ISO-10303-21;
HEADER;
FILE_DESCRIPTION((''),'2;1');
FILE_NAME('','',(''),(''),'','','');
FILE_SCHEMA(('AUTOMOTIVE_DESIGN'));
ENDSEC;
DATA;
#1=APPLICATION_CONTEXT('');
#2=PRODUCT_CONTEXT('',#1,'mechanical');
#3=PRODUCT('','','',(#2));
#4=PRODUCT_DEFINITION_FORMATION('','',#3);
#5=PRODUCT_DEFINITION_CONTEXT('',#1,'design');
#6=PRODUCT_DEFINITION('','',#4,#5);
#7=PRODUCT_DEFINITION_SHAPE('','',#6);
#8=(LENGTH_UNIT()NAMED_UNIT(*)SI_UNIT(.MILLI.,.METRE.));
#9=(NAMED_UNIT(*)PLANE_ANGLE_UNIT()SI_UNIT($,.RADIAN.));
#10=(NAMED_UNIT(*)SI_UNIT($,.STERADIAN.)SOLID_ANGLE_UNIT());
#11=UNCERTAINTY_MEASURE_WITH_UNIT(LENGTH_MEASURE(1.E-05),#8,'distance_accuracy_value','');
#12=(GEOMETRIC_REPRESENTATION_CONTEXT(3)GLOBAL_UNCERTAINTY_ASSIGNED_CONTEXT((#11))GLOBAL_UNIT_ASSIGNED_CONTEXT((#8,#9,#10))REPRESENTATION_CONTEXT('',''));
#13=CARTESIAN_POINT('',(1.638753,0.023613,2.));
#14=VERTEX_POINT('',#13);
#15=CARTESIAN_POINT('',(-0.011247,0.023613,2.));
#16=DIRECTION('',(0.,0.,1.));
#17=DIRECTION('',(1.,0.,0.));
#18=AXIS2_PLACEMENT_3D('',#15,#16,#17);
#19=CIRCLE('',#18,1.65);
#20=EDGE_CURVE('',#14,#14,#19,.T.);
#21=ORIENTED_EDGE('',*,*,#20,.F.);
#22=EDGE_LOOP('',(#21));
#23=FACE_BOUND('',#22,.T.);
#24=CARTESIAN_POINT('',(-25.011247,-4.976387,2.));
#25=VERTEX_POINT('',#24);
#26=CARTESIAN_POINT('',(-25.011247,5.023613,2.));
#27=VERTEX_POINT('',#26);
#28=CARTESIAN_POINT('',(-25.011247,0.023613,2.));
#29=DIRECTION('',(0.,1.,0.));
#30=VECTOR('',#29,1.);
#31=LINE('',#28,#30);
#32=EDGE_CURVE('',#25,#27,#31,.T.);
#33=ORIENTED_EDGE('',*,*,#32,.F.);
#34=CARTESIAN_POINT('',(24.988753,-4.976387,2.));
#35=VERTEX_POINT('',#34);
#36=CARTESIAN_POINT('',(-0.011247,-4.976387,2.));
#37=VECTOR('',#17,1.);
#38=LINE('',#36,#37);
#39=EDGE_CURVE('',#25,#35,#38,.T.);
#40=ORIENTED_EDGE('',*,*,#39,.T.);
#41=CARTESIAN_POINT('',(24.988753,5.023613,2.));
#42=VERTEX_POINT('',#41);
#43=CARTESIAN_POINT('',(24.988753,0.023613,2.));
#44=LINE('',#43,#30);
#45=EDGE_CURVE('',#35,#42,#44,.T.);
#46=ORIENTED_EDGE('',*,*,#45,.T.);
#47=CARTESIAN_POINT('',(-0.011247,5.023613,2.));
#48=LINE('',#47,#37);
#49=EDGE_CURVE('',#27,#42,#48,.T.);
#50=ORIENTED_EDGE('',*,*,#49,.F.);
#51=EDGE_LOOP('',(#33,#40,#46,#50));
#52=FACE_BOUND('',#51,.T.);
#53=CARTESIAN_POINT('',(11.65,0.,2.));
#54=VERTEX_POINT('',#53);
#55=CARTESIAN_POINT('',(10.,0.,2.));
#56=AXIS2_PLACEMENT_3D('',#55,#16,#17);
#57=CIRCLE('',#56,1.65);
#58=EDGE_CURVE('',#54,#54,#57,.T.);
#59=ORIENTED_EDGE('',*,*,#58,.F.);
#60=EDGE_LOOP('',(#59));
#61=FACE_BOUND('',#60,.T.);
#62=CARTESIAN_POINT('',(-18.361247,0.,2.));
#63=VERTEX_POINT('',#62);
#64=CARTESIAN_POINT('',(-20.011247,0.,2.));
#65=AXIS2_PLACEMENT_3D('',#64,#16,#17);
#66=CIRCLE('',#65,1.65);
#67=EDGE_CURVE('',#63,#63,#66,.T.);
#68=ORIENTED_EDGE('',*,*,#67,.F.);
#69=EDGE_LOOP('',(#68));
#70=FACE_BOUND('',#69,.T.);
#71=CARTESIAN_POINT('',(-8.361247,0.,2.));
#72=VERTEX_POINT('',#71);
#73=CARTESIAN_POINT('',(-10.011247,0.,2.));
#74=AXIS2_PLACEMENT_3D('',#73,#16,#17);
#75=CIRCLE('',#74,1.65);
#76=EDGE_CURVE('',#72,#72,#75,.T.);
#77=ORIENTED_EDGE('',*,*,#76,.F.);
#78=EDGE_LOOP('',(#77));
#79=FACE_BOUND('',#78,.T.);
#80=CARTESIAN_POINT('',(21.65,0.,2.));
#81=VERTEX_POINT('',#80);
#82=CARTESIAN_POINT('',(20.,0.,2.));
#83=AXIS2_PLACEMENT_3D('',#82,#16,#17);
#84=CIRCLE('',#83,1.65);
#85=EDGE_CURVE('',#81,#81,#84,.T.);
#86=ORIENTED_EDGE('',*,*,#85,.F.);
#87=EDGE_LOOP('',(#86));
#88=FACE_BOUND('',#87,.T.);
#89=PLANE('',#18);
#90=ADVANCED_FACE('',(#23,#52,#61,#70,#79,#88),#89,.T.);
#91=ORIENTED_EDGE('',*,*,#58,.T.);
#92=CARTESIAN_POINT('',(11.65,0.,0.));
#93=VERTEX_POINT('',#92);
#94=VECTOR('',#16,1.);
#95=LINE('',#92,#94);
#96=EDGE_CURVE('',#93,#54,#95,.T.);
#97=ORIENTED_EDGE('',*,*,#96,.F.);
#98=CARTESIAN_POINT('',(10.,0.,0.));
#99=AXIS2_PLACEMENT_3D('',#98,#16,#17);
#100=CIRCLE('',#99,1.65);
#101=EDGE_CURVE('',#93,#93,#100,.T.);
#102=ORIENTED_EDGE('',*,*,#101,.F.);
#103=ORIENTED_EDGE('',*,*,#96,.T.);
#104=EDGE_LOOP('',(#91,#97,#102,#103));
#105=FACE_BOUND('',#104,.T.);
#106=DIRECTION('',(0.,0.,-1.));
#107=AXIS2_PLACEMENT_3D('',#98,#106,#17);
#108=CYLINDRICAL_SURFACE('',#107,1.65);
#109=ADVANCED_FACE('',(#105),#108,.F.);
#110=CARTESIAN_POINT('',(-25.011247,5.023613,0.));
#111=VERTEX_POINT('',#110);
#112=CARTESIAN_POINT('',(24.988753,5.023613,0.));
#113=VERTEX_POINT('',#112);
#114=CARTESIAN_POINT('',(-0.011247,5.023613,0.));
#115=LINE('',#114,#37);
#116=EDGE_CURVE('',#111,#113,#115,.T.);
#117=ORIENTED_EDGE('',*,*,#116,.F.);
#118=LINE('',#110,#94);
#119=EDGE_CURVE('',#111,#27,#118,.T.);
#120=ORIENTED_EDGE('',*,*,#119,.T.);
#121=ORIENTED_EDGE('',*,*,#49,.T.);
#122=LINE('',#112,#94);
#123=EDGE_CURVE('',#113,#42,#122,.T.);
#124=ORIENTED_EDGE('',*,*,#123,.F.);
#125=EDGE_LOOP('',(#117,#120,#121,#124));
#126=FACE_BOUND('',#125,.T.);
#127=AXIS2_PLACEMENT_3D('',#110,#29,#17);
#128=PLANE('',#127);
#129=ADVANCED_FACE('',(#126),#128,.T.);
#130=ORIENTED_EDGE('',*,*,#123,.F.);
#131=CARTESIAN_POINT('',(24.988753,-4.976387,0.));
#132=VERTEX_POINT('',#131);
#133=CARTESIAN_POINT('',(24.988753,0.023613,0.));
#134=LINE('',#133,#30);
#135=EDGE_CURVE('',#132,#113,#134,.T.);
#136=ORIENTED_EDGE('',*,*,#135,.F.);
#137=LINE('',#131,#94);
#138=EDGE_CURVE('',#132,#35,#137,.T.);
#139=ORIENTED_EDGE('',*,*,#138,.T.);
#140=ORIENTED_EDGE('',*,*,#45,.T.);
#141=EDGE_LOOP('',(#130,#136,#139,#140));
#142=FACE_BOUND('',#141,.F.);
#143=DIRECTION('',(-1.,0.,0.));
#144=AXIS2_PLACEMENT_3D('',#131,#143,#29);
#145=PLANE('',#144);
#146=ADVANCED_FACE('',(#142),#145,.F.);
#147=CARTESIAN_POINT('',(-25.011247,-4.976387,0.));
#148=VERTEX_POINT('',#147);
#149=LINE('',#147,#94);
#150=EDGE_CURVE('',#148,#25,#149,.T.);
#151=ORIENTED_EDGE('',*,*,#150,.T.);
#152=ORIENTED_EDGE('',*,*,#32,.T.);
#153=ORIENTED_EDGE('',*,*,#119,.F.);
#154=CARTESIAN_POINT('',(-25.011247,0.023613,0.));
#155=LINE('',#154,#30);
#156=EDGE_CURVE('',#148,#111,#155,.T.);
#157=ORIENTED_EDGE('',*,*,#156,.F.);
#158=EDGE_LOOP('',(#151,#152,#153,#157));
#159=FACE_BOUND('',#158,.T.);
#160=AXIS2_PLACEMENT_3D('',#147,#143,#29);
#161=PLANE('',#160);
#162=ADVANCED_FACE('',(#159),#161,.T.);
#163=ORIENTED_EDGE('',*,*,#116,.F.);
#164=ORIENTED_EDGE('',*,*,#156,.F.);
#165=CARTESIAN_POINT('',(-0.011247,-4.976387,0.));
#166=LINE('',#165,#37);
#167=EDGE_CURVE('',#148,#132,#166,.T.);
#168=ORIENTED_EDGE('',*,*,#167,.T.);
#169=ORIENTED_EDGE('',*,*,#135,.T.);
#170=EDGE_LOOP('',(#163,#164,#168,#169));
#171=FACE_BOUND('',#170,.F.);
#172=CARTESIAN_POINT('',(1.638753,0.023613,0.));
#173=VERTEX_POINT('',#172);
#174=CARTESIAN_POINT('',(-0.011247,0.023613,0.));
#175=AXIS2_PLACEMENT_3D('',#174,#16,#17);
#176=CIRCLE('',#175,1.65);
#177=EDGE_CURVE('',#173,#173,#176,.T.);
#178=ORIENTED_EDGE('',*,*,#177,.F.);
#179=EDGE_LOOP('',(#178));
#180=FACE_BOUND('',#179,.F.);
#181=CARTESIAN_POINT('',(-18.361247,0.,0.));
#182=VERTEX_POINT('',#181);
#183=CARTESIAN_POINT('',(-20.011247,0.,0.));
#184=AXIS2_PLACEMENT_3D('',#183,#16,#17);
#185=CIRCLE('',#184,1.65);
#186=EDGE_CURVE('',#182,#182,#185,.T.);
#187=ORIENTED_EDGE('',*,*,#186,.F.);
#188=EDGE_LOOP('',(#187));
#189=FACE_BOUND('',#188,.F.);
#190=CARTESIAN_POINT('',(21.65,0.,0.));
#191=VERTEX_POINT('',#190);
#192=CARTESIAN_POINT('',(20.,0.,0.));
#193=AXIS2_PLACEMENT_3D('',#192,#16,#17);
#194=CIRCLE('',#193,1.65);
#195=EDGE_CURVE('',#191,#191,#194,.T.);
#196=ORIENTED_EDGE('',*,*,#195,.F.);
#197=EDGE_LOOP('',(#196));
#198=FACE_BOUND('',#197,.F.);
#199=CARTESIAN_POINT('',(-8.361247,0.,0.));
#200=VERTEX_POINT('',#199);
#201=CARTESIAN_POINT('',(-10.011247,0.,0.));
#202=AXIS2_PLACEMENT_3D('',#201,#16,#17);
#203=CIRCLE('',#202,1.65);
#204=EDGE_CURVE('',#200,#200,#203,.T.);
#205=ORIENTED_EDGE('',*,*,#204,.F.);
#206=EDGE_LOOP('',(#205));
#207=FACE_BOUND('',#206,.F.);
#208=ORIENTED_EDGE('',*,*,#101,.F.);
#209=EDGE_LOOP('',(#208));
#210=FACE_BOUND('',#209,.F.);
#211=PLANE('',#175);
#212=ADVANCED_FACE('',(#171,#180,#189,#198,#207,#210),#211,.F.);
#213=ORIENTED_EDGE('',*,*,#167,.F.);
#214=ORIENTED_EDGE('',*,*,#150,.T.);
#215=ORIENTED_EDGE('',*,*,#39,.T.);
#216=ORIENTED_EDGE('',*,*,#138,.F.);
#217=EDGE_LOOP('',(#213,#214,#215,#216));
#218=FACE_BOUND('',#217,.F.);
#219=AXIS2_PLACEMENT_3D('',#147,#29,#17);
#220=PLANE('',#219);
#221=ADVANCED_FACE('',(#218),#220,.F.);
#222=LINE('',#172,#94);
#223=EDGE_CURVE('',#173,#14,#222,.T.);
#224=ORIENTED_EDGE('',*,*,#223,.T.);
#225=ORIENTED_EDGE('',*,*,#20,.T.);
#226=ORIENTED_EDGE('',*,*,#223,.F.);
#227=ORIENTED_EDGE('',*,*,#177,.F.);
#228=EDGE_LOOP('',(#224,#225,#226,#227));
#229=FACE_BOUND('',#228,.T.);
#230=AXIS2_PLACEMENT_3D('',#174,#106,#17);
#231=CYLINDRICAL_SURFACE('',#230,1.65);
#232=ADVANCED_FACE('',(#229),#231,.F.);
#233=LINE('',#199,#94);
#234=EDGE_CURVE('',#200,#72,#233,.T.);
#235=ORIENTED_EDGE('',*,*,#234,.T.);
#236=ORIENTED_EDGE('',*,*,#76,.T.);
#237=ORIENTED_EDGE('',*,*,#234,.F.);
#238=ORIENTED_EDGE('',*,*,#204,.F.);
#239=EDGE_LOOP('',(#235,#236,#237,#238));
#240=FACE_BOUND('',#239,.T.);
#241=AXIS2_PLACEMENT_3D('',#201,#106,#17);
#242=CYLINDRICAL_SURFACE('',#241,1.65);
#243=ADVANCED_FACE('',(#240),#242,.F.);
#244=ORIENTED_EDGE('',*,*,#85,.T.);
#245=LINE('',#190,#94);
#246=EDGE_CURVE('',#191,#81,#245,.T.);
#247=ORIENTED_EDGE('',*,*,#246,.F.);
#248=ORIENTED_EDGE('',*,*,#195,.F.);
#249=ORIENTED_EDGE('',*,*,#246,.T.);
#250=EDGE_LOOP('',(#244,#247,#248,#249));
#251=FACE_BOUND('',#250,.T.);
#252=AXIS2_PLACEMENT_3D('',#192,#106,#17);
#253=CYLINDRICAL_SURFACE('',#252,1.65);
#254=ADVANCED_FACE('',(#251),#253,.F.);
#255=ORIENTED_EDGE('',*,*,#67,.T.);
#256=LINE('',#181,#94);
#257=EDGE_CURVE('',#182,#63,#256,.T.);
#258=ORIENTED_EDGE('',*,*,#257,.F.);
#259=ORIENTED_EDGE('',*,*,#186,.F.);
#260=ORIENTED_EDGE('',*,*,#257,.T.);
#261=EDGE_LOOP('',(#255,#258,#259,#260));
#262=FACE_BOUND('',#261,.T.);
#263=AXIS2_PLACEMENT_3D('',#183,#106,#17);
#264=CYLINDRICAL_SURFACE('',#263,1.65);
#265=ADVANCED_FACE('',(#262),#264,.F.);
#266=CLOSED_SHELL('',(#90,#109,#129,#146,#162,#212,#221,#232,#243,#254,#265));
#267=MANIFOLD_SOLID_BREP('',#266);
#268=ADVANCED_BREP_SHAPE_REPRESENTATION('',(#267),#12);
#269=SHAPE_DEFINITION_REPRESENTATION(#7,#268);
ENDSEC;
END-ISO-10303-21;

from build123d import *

# Parameters (mm, degrees)
SKETCH_W      = 50
SKETCH_H      = 10
SKETCH_R      = 1.65
EXTRUDE_DEPTH = 2


with BuildPart() as part:
    # Sketch → Extrude (new body)
    with BuildSketch(Plane.XY):
        with Locations((-0.011247, 0.023613)):
            Rectangle(SKETCH_W, SKETCH_H)
        with Locations((-0.011247, 0.023613)):
            Circle(SKETCH_R, mode=Mode.SUBTRACT)
        with Locations((-10.011247, 0)):
            Circle(SKETCH_R, mode=Mode.SUBTRACT)
        with Locations((-20.011247, 0)):
            Circle(SKETCH_R, mode=Mode.SUBTRACT)
        with Locations((10, 0)):
            Circle(SKETCH_R, mode=Mode.SUBTRACT)
        with Locations((20, 0)):
            Circle(SKETCH_R, mode=Mode.SUBTRACT)
    extrude(amount=EXTRUDE_DEPTH)


solid = part.part
